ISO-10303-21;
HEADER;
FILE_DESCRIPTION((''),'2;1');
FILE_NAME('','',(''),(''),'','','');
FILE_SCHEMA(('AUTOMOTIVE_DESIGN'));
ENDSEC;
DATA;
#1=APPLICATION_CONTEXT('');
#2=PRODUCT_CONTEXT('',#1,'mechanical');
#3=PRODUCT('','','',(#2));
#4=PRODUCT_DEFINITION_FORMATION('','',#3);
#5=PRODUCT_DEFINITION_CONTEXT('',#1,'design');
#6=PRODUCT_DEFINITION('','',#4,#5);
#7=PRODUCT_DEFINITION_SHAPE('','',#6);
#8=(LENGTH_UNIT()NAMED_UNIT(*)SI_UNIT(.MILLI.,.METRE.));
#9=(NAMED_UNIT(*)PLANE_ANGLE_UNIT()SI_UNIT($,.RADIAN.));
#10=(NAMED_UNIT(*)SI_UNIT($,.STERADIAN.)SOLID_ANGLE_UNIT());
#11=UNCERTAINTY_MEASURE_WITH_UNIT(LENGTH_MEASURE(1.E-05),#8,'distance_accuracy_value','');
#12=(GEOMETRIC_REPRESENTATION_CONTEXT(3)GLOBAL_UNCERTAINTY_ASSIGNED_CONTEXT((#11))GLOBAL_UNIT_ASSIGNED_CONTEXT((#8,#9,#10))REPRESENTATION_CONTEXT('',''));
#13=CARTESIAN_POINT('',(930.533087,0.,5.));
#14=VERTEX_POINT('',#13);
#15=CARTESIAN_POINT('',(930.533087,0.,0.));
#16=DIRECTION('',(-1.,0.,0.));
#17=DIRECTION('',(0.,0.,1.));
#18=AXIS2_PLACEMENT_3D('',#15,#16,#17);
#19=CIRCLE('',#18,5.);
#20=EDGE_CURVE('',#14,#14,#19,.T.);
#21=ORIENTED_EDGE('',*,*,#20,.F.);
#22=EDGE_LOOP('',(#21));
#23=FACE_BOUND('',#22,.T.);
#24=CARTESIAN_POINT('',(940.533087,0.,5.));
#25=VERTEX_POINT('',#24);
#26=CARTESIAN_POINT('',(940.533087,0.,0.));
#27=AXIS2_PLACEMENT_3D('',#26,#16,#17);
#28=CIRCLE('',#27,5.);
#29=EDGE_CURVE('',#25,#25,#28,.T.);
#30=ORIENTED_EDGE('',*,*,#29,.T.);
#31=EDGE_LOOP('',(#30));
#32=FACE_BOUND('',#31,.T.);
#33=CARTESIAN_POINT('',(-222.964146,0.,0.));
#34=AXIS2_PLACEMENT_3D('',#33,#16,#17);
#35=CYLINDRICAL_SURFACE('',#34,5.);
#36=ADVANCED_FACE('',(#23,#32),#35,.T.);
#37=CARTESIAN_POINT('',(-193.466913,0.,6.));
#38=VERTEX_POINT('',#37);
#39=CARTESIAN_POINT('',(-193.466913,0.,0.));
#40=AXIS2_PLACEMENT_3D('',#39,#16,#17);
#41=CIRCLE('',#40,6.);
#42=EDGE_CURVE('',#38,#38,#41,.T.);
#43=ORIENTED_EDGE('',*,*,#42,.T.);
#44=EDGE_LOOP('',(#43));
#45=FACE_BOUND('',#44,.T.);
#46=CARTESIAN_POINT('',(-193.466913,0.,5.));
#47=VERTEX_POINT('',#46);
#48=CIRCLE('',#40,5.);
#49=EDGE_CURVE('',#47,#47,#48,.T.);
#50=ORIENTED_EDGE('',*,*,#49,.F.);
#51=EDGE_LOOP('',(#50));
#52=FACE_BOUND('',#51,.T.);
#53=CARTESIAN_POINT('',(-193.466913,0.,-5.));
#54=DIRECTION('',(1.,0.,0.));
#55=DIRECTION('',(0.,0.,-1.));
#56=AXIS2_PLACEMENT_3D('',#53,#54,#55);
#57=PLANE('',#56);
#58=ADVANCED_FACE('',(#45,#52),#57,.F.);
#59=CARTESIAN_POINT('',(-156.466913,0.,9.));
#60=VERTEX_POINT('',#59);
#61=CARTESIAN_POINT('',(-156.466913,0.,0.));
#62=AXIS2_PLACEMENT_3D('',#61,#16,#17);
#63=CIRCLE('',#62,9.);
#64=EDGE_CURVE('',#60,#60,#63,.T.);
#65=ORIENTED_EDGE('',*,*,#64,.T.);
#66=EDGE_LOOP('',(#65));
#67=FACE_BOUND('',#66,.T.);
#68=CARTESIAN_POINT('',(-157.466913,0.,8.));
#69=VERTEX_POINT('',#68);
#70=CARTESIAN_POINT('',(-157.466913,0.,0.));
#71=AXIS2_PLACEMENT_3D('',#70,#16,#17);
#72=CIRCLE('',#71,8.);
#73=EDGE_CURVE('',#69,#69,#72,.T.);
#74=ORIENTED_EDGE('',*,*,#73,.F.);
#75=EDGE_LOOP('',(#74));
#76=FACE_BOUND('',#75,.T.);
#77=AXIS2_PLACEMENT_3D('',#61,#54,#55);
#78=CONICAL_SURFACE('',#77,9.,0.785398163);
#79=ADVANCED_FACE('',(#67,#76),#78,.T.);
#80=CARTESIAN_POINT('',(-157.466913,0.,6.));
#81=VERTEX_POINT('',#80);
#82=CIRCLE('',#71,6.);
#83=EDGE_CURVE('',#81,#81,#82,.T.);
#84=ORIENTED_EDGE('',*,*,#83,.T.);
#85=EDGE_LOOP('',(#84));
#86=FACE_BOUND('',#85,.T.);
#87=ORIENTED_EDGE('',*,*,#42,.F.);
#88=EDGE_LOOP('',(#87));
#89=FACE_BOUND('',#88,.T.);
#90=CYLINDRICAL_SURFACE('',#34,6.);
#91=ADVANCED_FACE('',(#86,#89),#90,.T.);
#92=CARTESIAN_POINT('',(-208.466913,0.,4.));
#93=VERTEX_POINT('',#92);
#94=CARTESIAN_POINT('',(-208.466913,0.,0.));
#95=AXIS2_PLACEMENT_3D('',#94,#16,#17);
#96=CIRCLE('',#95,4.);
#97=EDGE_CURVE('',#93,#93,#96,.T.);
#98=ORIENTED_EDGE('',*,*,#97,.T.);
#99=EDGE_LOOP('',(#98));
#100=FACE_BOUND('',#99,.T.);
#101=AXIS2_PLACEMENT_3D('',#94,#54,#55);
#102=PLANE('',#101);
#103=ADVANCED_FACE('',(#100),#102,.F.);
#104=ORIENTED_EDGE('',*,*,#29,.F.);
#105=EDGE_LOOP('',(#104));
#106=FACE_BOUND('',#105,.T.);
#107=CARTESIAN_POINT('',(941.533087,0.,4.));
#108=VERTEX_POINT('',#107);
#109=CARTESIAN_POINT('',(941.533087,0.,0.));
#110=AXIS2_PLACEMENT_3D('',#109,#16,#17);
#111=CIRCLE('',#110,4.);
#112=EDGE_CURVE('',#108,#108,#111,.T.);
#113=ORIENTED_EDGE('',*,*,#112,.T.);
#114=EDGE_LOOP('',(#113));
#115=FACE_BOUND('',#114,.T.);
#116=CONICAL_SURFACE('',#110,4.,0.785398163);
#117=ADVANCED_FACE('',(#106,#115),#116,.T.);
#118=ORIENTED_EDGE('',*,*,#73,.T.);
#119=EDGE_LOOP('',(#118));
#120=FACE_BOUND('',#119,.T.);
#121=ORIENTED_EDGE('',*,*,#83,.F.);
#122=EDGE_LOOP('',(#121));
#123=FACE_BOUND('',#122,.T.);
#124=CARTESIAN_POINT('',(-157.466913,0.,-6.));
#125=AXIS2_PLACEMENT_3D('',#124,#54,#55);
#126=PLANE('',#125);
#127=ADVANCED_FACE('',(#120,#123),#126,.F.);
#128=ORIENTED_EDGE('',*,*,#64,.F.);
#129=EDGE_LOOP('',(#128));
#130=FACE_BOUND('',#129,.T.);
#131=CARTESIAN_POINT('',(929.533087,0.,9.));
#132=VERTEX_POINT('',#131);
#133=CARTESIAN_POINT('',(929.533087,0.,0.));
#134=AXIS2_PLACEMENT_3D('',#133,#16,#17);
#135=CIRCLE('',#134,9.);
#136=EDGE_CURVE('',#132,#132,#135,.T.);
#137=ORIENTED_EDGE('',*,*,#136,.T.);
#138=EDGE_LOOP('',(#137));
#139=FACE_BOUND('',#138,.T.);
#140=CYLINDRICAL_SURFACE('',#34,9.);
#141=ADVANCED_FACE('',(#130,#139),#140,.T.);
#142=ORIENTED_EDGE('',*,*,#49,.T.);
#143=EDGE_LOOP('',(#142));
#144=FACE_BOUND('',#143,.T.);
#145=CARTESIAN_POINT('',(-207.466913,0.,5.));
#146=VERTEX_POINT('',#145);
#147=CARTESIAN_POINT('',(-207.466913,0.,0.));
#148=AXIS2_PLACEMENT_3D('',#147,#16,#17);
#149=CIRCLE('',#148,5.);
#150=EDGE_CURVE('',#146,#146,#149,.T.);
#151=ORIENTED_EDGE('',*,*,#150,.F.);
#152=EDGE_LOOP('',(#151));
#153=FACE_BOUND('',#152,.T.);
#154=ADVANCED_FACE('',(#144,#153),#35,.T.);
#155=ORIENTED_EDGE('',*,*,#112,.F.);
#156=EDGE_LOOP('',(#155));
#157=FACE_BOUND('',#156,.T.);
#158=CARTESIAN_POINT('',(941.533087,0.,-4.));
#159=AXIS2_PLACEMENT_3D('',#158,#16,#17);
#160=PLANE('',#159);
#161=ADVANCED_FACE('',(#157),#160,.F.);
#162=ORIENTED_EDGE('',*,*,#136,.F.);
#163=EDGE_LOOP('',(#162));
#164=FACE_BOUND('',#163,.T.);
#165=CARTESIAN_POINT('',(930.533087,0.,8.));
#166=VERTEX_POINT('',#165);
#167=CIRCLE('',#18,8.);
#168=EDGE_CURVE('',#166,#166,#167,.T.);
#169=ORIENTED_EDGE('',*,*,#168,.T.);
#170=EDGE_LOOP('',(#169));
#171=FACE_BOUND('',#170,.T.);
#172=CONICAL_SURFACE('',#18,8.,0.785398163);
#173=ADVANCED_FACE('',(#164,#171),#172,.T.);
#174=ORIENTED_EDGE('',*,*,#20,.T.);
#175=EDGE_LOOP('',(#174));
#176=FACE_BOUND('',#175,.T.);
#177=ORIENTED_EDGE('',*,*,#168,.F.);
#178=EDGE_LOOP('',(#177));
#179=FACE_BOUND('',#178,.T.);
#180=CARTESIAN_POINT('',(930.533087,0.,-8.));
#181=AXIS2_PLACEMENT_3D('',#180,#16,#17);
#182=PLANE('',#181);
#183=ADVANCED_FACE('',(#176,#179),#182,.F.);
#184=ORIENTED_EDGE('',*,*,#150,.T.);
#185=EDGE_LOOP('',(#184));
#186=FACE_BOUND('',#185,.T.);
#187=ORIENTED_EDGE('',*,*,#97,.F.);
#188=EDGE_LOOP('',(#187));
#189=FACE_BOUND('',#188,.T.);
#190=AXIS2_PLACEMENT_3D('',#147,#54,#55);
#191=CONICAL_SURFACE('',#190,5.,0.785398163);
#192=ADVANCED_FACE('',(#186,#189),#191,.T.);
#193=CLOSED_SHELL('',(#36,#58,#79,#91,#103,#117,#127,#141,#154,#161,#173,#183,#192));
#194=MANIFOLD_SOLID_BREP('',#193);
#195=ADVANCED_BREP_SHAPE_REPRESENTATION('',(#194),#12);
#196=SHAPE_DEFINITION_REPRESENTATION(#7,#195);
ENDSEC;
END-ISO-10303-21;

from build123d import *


with BuildPart() as part:
    # Sketch1 → Revolve1 (revolve)
    with BuildSketch(Plane(origin=(0, 0, 0), x_dir=(1, 0, 0), z_dir=(0, 1, 0)), mode=Mode.PRIVATE) as revolve1_sk:
        Polygon((-208.466913465, 0), (-208.466913465, 4), (-207.466913465, 5), (-193.466913465, 5), (-193.466913465, 6), (-157.466913465, 6), (-157.466913465, 8), (-156.466913465, 9), (929.533086535, 9), (930.533086535, 8), (930.533086535, 5), (940.533086535, 5), (941.533086535, 4), (941.533086535, 0), align=None)
    revolve(revolve1_sk.sketch.rotate(Axis((-222.96414574, 0, 0), (1, 0, 0)), 180), axis=Axis((-222.96414574, 0, 0), (1, 0, 0)))


solid = part.part
